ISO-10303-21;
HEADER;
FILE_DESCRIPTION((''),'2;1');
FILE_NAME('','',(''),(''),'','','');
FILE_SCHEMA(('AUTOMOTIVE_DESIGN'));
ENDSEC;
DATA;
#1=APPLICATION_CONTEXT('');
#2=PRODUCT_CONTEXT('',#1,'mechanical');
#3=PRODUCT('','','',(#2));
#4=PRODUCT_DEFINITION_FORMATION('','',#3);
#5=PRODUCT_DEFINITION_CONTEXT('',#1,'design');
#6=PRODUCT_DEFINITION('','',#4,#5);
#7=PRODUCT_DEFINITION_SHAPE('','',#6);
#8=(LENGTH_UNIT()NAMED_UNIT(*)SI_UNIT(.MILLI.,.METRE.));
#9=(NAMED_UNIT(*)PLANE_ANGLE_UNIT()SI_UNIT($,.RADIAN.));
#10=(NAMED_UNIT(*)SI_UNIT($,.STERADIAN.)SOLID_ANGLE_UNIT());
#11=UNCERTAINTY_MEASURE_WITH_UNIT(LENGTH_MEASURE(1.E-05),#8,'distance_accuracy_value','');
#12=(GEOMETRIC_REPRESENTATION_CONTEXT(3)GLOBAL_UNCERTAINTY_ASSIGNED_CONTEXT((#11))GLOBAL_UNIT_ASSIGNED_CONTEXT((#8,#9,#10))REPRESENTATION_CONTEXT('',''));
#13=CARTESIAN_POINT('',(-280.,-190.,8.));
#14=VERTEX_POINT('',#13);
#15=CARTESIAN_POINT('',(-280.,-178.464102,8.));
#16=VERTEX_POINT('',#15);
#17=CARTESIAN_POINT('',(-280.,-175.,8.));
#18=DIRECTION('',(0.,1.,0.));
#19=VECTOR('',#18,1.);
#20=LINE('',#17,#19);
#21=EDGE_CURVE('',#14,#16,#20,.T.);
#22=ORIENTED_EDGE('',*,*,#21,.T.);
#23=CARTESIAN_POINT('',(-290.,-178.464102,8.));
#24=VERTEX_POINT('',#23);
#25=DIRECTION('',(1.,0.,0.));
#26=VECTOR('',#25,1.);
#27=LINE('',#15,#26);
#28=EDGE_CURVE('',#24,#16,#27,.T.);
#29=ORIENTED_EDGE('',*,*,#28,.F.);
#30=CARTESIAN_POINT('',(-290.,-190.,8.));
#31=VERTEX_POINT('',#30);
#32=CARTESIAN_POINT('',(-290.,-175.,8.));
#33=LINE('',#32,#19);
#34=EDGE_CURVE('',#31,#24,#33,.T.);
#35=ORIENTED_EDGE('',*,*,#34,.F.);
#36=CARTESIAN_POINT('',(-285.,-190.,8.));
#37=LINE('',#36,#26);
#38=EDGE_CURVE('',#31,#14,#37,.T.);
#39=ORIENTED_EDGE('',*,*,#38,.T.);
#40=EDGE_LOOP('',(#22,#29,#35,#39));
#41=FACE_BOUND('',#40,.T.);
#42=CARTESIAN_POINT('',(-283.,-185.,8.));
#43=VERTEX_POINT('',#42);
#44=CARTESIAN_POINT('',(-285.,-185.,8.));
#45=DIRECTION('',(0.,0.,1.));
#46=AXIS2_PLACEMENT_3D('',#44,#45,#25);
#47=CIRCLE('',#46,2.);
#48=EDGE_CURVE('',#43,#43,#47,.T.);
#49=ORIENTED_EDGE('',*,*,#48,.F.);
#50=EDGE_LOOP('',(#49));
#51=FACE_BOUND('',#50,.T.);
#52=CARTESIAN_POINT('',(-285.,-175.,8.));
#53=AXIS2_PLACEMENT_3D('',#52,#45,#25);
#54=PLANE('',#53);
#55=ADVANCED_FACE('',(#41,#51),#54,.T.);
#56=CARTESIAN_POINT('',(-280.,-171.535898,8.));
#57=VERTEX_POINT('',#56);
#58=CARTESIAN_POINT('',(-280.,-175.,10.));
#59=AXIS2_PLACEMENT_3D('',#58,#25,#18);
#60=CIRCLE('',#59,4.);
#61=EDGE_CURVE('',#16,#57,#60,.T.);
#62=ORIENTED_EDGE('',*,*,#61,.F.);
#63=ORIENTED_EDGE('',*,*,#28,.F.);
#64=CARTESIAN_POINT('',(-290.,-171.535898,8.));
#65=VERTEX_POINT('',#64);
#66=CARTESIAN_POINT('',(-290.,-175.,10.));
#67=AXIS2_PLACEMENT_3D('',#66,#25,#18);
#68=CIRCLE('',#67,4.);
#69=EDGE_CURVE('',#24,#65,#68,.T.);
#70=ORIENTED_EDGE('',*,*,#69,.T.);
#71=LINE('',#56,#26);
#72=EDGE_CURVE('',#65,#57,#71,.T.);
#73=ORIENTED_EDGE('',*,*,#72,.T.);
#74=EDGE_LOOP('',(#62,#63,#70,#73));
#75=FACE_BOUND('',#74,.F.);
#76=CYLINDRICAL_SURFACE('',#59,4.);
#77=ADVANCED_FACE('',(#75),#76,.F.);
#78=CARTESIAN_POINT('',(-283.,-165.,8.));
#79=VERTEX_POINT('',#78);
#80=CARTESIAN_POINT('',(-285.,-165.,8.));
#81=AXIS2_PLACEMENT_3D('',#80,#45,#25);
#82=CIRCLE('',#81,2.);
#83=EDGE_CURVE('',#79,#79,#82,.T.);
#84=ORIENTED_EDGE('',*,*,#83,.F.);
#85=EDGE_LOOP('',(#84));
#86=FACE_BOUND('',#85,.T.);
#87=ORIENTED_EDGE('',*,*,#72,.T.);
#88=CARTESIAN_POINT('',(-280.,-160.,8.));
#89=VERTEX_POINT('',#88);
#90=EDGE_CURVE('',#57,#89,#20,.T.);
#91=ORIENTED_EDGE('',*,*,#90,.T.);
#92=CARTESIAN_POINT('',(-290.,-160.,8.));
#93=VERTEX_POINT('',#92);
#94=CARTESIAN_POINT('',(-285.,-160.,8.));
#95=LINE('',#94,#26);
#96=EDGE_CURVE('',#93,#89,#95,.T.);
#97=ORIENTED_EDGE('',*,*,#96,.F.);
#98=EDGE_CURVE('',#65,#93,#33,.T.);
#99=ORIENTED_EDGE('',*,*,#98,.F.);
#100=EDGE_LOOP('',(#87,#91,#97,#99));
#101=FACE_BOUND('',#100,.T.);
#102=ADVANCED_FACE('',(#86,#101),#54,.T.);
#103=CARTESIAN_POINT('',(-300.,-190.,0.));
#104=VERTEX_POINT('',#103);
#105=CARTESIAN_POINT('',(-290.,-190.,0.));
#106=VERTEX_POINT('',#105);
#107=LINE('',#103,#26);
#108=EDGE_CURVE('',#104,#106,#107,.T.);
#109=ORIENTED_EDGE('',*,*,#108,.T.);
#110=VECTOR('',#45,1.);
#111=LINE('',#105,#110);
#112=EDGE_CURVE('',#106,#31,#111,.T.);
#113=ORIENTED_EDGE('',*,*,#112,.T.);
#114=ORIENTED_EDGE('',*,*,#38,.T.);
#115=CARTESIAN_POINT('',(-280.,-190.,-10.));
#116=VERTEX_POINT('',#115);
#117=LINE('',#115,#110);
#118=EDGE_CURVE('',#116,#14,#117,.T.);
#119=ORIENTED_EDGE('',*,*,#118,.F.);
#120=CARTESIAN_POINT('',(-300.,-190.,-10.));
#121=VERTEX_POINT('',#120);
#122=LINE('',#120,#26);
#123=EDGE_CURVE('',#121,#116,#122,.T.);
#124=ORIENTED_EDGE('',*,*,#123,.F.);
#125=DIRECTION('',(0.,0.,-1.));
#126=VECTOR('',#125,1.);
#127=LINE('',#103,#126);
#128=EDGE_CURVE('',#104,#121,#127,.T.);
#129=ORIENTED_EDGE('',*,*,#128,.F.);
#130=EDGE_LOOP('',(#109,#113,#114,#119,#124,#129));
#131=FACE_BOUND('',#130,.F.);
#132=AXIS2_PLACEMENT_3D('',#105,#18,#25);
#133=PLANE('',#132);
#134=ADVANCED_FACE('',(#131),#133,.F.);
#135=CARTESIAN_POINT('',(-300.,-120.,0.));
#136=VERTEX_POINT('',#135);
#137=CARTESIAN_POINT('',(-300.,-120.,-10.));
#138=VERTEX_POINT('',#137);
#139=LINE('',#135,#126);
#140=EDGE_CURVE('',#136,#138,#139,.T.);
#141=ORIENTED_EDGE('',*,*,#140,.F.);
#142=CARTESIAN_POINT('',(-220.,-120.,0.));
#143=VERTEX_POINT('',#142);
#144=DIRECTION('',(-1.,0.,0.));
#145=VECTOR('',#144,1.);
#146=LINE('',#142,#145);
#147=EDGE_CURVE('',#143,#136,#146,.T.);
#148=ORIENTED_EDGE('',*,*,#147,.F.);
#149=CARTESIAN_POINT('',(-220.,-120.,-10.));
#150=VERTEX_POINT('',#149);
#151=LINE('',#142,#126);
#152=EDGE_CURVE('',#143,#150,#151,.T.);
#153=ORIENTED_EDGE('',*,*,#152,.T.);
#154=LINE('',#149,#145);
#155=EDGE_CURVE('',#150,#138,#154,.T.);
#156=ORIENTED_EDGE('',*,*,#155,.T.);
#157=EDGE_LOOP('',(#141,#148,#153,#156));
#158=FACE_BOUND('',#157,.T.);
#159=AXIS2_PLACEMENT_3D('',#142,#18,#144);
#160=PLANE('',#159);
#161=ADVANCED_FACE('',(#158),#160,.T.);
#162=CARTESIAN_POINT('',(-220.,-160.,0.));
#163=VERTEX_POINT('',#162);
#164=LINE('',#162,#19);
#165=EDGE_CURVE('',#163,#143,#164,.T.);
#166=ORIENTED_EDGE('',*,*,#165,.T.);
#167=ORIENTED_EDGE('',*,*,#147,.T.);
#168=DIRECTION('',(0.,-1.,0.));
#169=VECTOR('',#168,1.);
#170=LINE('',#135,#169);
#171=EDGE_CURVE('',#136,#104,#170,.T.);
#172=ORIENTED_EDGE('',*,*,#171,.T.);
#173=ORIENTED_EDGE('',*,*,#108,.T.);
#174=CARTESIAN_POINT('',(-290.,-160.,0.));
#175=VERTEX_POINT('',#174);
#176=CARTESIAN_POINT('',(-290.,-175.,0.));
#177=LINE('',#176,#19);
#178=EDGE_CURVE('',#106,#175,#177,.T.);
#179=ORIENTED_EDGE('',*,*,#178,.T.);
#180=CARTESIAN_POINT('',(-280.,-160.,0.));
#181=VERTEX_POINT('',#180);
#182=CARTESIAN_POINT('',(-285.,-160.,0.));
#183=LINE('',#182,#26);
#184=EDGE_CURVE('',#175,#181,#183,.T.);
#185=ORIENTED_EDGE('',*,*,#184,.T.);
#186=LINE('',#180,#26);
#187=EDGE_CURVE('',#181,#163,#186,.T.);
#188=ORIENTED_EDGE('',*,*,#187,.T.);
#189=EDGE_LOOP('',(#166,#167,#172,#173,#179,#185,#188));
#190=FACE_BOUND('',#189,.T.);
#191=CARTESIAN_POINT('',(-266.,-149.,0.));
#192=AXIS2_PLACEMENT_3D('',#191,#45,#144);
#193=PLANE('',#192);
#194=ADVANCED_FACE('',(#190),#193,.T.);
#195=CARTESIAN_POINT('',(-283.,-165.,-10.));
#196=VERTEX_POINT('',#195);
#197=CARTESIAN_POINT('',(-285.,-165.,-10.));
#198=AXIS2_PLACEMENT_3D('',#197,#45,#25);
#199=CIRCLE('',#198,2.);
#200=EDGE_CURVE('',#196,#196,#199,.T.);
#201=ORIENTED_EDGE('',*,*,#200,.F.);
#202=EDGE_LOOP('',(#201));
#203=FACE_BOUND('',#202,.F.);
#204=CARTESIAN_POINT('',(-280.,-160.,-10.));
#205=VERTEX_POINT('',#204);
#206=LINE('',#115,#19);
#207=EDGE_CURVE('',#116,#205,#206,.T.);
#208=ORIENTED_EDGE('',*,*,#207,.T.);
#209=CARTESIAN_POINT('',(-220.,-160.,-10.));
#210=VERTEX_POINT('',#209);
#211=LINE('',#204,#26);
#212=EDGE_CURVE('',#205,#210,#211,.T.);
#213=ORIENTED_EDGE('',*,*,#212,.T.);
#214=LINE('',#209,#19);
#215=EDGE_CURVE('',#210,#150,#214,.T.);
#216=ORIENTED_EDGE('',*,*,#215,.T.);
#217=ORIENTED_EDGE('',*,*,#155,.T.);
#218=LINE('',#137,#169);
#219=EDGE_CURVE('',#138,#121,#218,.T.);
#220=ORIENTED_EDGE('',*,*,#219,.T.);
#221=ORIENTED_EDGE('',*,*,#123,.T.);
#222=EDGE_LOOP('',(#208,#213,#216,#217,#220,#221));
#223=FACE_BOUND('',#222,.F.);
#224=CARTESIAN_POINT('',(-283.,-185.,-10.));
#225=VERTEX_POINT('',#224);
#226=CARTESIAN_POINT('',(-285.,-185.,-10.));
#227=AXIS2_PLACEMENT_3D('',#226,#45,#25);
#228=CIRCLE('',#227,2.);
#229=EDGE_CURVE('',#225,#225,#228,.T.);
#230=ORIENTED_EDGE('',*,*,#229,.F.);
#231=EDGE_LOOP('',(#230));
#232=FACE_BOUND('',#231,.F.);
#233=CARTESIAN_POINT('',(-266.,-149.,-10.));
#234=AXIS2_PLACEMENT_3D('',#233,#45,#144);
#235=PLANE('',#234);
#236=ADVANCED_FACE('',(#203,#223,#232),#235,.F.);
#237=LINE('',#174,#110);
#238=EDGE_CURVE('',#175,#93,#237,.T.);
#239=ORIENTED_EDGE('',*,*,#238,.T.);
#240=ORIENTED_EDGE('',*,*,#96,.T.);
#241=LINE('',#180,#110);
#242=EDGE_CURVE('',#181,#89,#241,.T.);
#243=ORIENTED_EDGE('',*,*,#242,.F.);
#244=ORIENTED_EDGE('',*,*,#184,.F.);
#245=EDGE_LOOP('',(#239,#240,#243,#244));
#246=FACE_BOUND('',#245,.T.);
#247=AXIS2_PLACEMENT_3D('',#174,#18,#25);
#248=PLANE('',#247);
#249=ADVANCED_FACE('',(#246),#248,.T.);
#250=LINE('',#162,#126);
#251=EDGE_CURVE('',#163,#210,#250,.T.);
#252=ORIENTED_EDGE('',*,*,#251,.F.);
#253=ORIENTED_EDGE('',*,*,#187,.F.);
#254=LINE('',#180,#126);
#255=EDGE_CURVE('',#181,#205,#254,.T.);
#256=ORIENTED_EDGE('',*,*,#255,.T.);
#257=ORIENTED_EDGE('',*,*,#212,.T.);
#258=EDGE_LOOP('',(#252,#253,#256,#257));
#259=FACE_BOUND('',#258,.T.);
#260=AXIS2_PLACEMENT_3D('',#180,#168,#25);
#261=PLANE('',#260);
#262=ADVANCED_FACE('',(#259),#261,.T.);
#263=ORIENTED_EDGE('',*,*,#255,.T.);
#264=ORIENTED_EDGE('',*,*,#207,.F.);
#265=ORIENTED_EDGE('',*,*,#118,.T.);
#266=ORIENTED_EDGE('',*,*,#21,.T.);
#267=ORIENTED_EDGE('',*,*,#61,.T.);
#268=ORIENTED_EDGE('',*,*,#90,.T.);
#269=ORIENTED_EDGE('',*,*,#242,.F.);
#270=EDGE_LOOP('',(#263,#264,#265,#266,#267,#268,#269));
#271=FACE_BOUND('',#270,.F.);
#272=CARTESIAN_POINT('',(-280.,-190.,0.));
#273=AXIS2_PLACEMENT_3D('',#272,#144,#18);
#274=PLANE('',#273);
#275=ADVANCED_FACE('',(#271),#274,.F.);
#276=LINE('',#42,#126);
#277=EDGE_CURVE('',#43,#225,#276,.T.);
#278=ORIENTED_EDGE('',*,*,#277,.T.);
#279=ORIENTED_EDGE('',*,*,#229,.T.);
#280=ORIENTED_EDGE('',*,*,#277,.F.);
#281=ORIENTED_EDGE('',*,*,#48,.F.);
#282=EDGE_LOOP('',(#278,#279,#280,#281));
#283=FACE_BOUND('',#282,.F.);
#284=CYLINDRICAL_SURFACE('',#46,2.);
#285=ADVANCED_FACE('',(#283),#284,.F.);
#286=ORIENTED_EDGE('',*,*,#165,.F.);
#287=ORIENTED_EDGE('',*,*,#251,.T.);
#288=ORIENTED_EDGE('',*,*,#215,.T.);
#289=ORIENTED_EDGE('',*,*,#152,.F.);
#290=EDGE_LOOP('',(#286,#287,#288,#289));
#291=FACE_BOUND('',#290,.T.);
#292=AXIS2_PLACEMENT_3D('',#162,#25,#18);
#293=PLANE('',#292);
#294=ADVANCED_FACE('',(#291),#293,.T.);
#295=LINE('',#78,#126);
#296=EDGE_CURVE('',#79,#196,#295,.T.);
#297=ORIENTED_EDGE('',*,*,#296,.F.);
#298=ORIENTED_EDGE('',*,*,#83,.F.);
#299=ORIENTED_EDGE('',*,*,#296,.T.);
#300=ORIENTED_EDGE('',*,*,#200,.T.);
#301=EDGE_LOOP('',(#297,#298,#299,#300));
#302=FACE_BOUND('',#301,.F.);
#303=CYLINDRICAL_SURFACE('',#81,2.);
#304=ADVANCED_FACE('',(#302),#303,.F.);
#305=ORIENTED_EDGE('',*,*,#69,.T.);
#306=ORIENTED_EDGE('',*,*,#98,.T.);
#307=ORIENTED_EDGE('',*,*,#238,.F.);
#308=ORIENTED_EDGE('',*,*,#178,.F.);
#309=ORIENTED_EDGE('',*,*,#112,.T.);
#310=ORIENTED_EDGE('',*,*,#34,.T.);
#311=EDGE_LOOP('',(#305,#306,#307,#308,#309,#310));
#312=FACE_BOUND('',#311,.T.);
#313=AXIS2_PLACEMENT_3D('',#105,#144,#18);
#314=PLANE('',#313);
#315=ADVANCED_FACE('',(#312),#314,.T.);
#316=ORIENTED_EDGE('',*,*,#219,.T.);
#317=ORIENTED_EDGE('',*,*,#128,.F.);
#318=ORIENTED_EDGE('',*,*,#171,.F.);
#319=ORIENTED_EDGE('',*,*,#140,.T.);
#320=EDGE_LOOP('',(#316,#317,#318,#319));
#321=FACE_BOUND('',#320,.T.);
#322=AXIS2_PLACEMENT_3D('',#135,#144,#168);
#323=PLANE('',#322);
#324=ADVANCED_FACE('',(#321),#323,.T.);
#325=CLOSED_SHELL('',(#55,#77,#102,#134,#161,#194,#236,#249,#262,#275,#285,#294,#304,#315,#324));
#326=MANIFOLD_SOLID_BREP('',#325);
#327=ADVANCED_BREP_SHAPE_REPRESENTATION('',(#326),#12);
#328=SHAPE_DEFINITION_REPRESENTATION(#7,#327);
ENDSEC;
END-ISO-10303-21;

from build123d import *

# Parameters (mm, degrees)
PAD001_DEPTH    = 10
SKETCH002_W     = 10
SKETCH002_H     = 30
PAD002_DEPTH    = 8
SKETCH003_R     = 4
POCKET_DEPTH    = 10
SKETCH004_R     = 2
POCKET001_DEPTH = 20
SKETCH005_R     = 2
POCKET002_DEPTH = 20


with BuildPart() as part:
    # Sketch001 → Pad001 (new body)
    with BuildSketch(Plane(origin=(0, 0, 0), x_dir=(1, 0, 0), z_dir=(0, 0, -1))):
        Polygon((-300, 190), (-280, 190), (-280, 160), (-220, 160), (-220, 120), (-300, 120), align=None)
    extrude(amount=PAD001_DEPTH)

    # Sketch002 → Pad002 (new body)
    with BuildSketch(Plane.XY):
        with Locations((-285, -175)):
            Rectangle(SKETCH002_W, SKETCH002_H)
    extrude(amount=PAD002_DEPTH)

    # Sketch003 → Pocket (cut)
    with BuildSketch(Plane.YZ.offset(-280)):
        with Locations((-175, 10)):
            Circle(SKETCH003_R)
    extrude(amount=-POCKET_DEPTH, mode=Mode.SUBTRACT)

    # Sketch004 → Pocket001 (cut)
    with BuildSketch(Plane.XY.offset(8)):
        with Locations((-285, -185)):
            Circle(SKETCH004_R)
    extrude(amount=-POCKET001_DEPTH, mode=Mode.SUBTRACT)

    # Sketch005 → Pocket002 (cut)
    with BuildSketch(Plane.XY.offset(8)):
        with Locations((-285, -165)):
            Circle(SKETCH005_R)
    extrude(amount=-POCKET002_DEPTH, mode=Mode.SUBTRACT)


solid = part.part
